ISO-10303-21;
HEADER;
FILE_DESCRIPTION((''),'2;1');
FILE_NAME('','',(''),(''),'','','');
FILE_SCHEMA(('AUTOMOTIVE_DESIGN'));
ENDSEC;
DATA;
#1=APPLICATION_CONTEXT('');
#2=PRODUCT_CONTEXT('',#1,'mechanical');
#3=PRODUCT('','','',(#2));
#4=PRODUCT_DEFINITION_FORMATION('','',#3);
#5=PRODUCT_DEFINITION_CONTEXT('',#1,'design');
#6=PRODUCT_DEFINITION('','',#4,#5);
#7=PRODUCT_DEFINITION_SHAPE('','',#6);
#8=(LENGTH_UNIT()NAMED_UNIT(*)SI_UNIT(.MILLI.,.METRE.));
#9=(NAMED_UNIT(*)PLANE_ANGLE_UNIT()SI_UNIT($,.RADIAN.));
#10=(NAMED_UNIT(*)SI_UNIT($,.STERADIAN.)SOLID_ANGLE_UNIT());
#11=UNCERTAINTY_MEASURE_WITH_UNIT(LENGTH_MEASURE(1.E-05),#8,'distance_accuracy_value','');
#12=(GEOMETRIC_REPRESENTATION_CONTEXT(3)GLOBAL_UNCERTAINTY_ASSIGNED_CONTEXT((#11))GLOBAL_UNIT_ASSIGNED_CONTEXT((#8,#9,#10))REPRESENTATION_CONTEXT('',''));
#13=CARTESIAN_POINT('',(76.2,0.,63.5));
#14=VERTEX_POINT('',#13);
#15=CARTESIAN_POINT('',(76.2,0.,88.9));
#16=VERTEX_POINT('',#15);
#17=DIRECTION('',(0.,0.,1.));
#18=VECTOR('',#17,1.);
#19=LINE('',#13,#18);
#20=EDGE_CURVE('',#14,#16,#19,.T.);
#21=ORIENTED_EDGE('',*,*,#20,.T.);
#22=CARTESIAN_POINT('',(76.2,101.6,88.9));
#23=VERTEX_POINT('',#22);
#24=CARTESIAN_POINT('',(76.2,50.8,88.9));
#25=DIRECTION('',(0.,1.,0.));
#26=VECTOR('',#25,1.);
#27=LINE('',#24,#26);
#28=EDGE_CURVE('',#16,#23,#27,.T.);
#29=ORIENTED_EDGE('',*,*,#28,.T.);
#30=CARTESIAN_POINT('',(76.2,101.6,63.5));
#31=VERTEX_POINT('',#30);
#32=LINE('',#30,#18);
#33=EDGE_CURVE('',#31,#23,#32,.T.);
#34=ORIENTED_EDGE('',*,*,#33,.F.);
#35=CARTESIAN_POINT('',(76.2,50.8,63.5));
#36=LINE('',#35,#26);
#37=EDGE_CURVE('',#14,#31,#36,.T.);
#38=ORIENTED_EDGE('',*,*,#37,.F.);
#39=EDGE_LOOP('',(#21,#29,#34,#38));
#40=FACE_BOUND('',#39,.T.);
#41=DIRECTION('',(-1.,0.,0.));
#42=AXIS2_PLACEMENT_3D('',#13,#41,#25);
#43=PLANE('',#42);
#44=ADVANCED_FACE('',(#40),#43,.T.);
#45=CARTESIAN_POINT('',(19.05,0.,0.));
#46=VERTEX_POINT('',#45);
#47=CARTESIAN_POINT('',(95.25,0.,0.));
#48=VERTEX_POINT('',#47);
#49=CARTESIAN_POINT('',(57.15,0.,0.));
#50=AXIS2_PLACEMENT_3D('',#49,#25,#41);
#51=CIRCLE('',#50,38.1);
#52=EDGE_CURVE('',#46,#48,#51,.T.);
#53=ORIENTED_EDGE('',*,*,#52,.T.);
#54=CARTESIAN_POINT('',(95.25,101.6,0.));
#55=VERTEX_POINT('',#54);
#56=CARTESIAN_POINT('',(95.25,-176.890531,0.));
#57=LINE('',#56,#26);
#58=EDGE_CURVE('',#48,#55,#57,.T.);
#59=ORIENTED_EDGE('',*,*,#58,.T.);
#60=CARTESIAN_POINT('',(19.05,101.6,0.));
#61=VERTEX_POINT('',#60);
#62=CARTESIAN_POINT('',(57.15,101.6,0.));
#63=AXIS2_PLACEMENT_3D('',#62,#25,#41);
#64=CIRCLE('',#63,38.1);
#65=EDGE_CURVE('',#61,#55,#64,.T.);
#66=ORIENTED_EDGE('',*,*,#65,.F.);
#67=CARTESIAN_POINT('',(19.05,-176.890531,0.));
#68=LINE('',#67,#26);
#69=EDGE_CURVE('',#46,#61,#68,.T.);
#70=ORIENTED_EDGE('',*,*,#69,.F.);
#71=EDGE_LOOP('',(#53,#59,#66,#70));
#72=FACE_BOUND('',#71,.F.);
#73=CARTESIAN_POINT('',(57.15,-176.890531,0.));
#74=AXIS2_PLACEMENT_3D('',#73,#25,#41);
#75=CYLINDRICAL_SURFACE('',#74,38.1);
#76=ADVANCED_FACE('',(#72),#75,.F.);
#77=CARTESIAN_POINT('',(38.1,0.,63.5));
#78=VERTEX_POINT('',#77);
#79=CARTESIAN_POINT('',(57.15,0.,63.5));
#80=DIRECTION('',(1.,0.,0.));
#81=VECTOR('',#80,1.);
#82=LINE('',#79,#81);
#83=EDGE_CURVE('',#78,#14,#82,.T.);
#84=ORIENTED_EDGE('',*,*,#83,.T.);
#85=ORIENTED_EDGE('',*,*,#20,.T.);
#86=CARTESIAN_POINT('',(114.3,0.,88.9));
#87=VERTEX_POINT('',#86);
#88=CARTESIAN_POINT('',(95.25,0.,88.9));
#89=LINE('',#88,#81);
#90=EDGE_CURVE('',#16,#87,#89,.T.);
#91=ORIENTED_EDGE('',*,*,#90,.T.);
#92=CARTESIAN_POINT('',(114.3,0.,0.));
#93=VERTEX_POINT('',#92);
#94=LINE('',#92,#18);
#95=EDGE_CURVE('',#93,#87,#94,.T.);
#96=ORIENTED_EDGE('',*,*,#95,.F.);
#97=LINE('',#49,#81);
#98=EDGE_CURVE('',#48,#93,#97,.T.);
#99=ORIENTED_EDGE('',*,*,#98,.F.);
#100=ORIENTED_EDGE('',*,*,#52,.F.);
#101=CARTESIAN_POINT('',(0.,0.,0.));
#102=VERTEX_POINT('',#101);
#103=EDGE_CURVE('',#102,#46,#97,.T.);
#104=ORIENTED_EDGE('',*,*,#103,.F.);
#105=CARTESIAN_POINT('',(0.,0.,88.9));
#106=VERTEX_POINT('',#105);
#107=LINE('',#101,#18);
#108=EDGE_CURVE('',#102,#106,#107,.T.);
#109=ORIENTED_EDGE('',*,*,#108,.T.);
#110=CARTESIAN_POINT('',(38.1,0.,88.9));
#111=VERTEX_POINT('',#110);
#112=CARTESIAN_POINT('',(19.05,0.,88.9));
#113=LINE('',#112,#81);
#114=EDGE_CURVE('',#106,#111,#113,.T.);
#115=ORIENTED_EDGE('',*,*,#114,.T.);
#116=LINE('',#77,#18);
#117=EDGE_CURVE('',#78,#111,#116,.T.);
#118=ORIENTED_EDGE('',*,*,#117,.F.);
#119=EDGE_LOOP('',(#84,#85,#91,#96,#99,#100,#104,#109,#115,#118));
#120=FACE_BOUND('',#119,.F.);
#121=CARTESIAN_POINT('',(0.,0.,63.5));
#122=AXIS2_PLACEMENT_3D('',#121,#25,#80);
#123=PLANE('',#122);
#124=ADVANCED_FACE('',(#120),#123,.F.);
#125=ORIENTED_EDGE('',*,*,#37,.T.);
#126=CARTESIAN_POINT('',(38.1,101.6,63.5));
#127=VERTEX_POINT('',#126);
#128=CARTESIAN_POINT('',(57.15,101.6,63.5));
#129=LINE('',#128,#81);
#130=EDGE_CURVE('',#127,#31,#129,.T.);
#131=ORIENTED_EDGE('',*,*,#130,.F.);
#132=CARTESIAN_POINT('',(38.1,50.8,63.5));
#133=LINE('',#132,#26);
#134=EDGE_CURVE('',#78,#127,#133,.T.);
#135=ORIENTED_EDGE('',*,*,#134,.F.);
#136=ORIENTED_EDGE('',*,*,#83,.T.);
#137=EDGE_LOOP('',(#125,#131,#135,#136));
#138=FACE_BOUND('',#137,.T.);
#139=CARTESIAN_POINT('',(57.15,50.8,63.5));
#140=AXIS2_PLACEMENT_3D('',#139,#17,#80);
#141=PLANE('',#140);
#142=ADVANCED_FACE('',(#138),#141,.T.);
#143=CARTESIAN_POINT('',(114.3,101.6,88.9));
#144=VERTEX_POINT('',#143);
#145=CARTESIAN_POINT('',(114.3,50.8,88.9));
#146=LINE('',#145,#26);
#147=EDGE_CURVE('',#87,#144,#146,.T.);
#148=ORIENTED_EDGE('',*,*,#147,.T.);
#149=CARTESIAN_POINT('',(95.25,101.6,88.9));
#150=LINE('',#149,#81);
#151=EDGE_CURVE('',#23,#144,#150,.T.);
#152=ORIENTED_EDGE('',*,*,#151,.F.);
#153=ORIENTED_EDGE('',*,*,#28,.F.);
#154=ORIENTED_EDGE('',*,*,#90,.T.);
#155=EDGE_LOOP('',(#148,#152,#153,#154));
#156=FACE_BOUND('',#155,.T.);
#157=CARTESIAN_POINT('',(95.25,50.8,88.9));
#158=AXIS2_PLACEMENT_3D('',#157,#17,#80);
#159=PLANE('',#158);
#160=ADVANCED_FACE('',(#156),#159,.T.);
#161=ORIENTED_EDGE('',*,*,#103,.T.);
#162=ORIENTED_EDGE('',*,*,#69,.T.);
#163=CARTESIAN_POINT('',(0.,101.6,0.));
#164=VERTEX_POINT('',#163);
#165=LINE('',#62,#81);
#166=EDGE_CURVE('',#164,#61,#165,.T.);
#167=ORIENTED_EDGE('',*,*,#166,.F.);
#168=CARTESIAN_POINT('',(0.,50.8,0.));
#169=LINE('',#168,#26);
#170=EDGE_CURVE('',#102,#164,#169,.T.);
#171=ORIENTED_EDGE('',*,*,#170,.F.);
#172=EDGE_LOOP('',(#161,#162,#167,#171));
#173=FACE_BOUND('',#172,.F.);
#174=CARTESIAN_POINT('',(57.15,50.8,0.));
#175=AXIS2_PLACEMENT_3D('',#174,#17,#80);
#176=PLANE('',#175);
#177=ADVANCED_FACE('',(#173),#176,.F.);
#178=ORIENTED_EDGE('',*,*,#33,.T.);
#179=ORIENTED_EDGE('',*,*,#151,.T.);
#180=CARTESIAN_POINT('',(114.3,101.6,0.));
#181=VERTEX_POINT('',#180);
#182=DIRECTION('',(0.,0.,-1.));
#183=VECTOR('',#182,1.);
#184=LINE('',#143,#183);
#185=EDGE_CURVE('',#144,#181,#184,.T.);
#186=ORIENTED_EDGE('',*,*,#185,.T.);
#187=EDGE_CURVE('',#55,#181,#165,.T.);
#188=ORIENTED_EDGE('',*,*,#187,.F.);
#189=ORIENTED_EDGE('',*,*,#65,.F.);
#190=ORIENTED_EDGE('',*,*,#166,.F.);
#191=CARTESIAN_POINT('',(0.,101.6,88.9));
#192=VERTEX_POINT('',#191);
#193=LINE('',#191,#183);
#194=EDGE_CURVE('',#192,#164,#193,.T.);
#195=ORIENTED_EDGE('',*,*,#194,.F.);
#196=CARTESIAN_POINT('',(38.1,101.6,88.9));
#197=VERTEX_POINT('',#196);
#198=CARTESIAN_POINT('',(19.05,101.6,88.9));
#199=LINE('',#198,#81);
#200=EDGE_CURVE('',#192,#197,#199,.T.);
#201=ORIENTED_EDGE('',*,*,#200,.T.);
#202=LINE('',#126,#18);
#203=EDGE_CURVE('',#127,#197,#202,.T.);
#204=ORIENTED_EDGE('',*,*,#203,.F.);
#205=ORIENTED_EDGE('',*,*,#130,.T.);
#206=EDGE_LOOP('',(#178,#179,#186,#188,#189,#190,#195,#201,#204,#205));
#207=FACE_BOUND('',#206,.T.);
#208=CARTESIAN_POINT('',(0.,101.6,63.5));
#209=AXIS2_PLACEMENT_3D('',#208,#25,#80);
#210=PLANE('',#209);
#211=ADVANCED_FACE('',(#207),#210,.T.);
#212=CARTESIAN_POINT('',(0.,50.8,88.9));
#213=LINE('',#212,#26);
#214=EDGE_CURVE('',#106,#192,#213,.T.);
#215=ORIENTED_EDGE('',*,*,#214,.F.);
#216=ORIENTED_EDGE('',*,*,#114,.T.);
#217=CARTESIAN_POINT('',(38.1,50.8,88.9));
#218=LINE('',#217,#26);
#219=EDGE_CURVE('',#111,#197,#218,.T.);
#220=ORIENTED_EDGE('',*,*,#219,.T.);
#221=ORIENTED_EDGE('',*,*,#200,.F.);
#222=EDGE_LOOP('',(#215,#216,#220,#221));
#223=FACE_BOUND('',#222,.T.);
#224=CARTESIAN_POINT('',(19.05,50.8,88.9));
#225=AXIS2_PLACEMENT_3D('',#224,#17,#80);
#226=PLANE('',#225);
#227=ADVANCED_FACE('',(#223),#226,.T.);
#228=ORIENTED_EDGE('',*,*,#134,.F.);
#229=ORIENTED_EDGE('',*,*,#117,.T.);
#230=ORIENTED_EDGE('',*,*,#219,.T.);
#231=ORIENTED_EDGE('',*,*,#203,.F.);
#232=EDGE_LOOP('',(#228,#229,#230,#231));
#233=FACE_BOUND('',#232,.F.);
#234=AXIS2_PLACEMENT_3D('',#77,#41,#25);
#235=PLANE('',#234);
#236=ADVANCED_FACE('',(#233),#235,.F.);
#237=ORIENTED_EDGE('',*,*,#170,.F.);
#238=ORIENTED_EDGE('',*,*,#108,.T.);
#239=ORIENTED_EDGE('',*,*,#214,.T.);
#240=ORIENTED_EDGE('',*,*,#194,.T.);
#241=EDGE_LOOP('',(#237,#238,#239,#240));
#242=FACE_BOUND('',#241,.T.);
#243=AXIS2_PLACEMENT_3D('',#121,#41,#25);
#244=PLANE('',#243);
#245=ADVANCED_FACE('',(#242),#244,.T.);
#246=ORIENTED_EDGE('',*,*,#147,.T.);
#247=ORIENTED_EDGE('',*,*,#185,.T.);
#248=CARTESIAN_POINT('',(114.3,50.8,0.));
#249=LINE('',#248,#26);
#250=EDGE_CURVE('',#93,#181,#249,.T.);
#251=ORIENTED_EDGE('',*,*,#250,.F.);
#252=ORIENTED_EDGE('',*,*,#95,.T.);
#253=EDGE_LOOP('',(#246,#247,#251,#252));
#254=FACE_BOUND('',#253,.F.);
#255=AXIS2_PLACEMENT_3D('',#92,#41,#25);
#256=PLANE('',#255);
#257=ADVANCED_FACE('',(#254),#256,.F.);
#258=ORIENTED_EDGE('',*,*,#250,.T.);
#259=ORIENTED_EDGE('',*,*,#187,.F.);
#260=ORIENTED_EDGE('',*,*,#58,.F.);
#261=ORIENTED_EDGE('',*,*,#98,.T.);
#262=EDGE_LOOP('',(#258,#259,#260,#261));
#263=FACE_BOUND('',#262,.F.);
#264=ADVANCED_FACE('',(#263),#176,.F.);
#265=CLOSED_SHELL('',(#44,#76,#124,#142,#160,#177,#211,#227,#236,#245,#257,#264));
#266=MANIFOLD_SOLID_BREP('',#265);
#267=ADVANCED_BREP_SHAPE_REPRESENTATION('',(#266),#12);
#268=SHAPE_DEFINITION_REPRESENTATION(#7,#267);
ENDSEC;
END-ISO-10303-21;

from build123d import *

# Parameters (mm, degrees)
F0_W     = 114.3
F0_H     = 101.6
F1_DEPTH = 63.5
F2_W     = 38.1
F2_H     = 101.6
F3_DEPTH = 25.4
F5_D     = 76.2


with BuildPart() as f1:
    # F0 (on Top) → F1 (new body)
    with BuildSketch(Plane.XY):
        with Locations((57.15, 50.8)):
            Rectangle(F0_W, F0_H)
    extrude(amount=F1_DEPTH)

    # F2 (on face) → F3 (join)
    with BuildSketch(Plane.XY.offset(63.5)):
        with Locations((19.05, 50.8)):
            Rectangle(F2_W, F2_H)
        with Locations((95.25, 50.8)):
            Rectangle(F2_W, F2_H)
    extrude(amount=F3_DEPTH)

    # F5 (through all)
    with Locations(Plane.XZ):
        with Locations((57.15, 0)):
            Hole(F5_D / 2)


solid = f1.part
